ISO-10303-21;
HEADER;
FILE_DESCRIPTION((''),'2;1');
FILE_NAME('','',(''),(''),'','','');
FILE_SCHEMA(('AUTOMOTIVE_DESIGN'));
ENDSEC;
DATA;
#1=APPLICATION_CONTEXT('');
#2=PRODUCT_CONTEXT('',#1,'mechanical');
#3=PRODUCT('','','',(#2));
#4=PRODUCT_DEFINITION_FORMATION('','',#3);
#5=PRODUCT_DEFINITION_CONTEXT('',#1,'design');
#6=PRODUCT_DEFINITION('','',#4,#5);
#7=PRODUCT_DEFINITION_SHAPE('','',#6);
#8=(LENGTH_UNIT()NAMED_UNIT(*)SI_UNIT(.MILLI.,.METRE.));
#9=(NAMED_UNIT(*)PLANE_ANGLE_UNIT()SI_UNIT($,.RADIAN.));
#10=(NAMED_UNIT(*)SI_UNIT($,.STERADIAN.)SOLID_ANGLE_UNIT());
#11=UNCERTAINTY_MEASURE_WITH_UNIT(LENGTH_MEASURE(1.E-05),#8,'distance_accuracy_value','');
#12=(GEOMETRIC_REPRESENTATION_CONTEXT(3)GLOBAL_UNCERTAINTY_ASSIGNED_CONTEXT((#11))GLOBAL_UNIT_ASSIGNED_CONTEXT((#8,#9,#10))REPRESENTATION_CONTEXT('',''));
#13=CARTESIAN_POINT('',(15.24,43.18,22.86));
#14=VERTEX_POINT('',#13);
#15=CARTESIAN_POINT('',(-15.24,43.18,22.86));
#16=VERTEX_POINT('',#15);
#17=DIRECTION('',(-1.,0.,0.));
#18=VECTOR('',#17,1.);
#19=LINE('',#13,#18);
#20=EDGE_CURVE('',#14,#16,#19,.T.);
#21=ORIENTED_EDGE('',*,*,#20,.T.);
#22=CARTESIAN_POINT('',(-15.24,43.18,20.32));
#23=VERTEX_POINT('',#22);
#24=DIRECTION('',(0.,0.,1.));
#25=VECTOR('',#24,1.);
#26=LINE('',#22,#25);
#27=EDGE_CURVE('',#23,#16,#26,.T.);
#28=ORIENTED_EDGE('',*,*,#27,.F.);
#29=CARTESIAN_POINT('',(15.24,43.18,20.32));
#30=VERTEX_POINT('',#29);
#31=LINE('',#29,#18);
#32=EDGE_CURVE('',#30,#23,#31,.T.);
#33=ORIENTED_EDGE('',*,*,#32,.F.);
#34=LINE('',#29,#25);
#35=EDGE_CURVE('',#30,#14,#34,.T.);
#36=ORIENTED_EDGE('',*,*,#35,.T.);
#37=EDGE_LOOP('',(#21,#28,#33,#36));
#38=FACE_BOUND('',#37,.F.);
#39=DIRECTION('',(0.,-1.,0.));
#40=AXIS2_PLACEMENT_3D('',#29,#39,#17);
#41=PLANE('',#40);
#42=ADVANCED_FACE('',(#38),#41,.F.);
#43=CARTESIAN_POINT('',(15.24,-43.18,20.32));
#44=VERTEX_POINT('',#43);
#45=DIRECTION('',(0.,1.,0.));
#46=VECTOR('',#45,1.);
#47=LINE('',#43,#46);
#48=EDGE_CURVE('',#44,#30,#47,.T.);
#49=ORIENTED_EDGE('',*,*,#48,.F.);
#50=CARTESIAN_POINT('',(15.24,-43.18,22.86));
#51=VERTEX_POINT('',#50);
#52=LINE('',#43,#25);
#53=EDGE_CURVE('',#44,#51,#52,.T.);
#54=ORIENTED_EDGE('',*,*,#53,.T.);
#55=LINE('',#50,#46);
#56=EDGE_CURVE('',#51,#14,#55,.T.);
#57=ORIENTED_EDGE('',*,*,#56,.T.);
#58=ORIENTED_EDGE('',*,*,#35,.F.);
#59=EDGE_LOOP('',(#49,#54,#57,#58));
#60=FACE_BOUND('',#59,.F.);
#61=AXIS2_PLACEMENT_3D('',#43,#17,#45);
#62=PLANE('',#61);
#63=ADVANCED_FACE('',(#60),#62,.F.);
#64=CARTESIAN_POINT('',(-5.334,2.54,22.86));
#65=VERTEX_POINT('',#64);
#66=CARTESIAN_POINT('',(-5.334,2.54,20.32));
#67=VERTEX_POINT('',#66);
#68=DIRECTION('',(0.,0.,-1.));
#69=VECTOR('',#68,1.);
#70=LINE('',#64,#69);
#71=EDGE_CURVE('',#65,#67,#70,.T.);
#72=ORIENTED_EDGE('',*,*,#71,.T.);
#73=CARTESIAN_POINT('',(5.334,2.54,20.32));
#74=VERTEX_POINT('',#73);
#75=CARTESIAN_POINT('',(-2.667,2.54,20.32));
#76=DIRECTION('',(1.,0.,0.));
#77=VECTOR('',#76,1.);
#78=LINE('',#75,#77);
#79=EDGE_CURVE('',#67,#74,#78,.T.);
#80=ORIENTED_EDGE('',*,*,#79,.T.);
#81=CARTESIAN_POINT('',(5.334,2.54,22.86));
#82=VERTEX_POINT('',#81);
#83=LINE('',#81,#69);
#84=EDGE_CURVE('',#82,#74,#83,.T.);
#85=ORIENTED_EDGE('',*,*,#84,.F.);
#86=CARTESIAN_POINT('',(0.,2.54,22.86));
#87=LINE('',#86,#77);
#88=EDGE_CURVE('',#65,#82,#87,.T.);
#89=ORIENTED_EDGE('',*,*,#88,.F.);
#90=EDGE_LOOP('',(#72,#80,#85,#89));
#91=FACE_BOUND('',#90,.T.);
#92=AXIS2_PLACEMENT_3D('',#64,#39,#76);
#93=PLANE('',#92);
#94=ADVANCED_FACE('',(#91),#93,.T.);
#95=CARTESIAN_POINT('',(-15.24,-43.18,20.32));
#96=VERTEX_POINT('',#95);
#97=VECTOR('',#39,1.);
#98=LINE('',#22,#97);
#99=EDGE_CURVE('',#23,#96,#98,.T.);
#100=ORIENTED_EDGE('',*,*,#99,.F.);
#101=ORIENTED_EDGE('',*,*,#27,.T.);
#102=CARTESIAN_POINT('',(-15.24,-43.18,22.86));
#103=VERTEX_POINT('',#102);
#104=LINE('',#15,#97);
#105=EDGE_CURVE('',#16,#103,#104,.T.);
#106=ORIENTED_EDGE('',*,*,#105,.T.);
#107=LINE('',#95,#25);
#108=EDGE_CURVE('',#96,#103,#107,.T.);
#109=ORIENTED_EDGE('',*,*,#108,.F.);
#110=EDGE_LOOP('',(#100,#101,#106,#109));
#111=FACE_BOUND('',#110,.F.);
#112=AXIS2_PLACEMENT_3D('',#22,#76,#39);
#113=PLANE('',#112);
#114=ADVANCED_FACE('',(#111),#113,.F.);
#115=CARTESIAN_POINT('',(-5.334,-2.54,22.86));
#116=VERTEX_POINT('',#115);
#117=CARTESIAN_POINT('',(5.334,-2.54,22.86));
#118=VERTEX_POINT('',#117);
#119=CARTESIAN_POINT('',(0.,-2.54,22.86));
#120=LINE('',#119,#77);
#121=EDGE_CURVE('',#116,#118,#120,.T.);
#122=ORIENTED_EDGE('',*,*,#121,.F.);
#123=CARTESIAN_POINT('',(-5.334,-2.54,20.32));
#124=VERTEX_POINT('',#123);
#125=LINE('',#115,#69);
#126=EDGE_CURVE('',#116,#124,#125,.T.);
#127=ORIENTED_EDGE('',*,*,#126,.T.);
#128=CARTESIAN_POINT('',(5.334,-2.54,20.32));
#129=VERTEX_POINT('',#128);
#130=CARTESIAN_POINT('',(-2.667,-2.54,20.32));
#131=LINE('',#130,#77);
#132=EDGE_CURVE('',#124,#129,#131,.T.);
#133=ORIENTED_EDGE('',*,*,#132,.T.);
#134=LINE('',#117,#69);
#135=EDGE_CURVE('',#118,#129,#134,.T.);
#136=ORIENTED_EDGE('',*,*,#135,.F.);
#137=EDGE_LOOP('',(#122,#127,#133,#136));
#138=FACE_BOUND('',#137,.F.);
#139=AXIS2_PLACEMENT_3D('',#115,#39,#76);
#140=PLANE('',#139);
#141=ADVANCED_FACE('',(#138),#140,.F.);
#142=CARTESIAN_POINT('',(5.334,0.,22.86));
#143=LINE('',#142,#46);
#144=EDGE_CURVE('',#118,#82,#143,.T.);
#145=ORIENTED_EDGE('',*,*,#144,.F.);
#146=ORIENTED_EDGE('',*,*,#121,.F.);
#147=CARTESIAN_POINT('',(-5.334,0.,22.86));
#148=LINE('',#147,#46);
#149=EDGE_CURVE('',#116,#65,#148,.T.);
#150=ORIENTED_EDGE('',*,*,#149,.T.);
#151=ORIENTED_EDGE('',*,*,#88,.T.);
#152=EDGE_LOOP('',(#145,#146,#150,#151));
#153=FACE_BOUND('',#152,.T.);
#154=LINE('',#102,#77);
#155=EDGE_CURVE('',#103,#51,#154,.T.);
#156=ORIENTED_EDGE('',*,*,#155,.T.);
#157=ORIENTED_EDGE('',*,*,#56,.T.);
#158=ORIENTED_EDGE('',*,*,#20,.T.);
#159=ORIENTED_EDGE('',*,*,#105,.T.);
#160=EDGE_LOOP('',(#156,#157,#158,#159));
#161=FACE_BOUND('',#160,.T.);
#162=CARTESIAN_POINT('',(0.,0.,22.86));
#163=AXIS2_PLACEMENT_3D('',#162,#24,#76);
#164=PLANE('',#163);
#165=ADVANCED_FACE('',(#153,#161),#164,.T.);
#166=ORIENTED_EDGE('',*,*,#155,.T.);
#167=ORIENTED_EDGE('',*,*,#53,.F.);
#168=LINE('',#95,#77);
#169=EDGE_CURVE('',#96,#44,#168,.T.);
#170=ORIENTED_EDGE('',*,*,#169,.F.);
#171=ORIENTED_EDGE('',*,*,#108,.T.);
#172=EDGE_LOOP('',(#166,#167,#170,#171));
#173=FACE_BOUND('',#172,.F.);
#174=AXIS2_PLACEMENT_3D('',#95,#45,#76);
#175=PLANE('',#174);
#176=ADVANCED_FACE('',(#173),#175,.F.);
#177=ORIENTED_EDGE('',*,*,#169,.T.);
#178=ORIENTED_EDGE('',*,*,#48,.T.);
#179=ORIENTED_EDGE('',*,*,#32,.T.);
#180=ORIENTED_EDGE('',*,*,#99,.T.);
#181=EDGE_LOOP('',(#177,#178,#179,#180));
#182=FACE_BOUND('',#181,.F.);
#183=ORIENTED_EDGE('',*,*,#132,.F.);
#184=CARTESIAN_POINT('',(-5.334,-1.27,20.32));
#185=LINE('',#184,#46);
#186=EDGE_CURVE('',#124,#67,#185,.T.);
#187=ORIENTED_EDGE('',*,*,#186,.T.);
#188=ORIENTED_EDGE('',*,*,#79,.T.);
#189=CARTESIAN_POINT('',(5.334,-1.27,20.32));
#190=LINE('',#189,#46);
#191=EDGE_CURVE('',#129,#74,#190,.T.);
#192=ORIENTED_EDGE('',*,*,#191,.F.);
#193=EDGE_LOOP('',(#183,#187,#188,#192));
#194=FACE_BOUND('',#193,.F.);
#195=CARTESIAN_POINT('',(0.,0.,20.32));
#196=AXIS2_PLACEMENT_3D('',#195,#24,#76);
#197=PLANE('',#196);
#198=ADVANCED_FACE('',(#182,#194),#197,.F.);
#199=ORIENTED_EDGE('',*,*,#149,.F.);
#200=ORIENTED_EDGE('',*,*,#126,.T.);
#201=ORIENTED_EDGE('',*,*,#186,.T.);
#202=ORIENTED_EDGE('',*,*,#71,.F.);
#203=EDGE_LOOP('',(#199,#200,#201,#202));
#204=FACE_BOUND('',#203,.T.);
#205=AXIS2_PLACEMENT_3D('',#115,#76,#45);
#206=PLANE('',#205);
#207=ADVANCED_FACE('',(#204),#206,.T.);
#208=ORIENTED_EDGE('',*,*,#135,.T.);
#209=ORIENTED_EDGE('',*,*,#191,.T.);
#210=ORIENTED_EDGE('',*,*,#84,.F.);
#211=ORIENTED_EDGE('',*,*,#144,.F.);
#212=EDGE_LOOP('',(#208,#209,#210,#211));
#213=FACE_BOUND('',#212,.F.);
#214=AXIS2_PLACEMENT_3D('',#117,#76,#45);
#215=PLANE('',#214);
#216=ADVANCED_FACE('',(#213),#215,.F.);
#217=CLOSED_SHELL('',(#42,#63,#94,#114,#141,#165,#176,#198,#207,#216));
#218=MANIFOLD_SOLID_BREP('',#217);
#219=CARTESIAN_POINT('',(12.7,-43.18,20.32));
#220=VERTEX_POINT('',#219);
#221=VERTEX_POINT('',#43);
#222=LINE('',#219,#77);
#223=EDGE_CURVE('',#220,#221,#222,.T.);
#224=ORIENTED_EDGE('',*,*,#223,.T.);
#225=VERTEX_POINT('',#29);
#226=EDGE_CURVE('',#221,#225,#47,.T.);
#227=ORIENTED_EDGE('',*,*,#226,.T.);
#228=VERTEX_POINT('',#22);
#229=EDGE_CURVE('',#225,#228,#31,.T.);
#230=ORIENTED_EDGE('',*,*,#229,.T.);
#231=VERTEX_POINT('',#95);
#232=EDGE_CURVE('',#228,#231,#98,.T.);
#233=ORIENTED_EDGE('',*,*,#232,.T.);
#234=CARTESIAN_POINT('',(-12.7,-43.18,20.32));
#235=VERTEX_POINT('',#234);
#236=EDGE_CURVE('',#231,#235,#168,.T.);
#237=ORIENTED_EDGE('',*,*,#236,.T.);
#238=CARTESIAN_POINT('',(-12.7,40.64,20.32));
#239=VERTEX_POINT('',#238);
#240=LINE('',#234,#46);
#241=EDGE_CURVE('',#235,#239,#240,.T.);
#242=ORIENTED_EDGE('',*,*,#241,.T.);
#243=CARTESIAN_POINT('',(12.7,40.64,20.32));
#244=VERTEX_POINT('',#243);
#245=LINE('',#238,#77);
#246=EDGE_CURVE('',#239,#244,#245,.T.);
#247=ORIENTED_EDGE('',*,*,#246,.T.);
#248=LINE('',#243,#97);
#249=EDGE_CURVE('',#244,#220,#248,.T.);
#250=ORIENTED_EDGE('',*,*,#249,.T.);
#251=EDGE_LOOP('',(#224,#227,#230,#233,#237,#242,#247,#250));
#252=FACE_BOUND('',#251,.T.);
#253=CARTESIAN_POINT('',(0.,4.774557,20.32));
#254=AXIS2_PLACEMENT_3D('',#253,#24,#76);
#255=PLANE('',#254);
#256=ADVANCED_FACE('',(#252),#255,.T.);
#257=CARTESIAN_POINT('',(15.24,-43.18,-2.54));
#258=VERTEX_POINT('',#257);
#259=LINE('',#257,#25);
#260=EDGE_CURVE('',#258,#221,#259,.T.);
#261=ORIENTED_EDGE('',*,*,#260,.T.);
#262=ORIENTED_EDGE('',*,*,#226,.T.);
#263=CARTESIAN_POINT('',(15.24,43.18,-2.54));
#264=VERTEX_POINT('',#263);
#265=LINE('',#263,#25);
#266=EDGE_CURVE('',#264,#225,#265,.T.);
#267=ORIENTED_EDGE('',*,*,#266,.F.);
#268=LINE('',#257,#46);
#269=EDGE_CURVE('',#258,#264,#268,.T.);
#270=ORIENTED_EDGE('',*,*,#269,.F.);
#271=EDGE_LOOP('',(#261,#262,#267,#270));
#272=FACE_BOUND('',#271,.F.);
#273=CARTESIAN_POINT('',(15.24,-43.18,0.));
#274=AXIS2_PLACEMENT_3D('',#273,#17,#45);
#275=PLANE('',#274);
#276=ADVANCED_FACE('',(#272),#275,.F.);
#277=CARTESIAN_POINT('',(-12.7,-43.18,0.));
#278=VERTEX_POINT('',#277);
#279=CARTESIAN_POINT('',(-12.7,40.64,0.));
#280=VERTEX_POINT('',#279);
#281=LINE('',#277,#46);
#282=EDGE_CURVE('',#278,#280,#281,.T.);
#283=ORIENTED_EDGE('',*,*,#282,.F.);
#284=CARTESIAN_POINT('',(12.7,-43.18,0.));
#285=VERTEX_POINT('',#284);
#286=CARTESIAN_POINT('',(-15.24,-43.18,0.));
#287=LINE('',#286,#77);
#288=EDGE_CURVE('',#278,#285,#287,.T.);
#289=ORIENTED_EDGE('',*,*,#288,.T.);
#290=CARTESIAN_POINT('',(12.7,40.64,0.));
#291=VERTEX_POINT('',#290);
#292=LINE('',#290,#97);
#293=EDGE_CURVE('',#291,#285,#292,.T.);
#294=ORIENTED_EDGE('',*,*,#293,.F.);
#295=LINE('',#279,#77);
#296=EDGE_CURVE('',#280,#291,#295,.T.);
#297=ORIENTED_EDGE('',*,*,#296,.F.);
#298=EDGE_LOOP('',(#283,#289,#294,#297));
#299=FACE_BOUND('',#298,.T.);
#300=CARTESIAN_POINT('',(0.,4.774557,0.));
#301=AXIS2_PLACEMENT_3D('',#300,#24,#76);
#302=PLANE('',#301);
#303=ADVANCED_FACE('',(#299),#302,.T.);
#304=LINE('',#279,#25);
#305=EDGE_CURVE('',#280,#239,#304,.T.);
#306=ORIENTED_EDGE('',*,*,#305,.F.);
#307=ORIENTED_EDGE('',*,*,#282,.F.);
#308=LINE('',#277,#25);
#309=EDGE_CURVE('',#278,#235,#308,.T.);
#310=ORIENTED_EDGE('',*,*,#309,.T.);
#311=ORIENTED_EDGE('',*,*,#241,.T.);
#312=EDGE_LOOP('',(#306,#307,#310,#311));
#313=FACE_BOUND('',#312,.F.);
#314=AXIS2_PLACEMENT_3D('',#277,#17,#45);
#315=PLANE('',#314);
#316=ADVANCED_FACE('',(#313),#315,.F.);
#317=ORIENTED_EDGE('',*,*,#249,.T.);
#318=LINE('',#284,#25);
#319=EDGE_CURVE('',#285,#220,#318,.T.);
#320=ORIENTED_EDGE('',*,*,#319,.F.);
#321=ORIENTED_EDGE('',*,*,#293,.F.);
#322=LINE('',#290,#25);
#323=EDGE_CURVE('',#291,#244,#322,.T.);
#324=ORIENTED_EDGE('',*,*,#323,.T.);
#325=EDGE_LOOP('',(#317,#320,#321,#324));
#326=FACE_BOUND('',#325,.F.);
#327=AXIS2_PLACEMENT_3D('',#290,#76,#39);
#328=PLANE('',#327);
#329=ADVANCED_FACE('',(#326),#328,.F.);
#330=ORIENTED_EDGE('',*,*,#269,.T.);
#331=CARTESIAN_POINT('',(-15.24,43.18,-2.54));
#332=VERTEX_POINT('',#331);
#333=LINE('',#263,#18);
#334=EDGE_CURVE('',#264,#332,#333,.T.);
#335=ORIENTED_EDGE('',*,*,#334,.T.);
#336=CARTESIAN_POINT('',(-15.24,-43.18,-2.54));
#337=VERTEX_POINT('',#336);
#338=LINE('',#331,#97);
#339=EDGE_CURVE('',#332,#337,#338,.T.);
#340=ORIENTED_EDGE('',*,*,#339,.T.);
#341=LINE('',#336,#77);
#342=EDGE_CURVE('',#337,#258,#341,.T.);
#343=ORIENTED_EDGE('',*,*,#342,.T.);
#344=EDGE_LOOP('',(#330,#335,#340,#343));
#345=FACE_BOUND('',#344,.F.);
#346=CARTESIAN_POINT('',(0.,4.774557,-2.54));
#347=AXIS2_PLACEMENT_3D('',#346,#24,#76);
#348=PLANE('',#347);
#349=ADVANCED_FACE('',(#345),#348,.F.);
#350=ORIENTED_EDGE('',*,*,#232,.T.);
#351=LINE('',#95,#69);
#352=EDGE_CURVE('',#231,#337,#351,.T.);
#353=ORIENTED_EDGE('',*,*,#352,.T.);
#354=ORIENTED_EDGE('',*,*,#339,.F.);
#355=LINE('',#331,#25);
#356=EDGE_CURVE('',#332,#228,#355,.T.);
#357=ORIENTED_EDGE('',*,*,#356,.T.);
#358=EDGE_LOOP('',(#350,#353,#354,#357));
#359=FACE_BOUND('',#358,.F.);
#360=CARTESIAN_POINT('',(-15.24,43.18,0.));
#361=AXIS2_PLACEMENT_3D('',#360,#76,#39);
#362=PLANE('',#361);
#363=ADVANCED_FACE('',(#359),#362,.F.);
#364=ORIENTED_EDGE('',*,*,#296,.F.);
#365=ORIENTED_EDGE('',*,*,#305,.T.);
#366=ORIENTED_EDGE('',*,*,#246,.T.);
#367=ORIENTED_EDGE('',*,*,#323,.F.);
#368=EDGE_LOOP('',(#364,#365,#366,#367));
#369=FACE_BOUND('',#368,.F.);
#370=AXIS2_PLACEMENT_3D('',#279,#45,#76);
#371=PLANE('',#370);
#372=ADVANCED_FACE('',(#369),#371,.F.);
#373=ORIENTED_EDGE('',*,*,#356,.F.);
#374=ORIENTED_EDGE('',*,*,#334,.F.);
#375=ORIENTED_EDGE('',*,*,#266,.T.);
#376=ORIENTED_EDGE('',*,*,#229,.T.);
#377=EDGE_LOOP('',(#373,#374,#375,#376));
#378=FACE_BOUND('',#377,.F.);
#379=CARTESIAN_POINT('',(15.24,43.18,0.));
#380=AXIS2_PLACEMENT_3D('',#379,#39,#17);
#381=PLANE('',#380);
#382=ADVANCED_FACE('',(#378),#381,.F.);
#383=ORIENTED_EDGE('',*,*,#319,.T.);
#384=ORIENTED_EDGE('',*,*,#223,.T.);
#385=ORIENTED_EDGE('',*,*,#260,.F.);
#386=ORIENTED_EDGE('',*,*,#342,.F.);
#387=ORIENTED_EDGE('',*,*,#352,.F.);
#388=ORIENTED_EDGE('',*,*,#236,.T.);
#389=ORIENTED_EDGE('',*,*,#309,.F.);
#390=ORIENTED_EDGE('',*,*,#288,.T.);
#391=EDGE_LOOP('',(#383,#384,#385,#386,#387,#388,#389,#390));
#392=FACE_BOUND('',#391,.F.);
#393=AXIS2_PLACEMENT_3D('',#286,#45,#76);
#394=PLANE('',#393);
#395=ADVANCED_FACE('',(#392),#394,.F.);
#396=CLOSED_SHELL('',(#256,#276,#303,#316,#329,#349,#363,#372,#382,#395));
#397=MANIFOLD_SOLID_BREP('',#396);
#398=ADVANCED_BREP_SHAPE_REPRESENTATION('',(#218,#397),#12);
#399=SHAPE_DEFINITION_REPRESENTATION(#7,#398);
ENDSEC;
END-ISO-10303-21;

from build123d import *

# Parameters (mm, degrees)
F0_W     = 25.4
F0_H     = 2.54
F0_H_2   = 81.28
F1_DEPTH = 2.54
F2_DEPTH = 20.32
F3_START = 20.32
F3_DEPTH = 2.54
F4_W     = 10.668
F4_H     = 5.08
F5_DEPTH = 5.08


with BuildPart() as f1:
    # F0 (on Top) → F1 (new body)
    with BuildSketch(Plane.XY):
        Polygon((-12.7, 40.64), (12.7, 40.64), (12.7, -40.64), (12.7, -43.18), (15.24, -43.18), (15.24, 43.18), (-15.24, 43.18), (-15.24, -43.18), (-12.7, -43.18), (-12.7, -40.64), align=None)
        with Locations((0, -41.91)):
            Rectangle(F0_W, F0_H)
        Rectangle(F0_W, F0_H_2)
    extrude(amount=-F1_DEPTH)

    # F0 (on Top) → F2 (join)
    with BuildSketch(Plane.XY):
        Polygon((-12.7, 40.64), (12.7, 40.64), (12.7, -40.64), (12.7, -43.18), (15.24, -43.18), (15.24, 43.18), (-15.24, 43.18), (-15.24, -43.18), (-12.7, -43.18), (-12.7, -40.64), align=None)
    extrude(amount=F2_DEPTH)


with BuildPart() as f3:
    # F0 (on Top) → F3 (new body)
    with BuildSketch(Plane.XY.offset(F3_START)):
        Rectangle(F0_W, F0_H_2)
        Polygon((-12.7, 40.64), (12.7, 40.64), (12.7, -40.64), (12.7, -43.18), (15.24, -43.18), (15.24, 43.18), (-15.24, 43.18), (-15.24, -43.18), (-12.7, -43.18), (-12.7, -40.64), align=None)
        with Locations((0, -41.91)):
            Rectangle(F0_W, F0_H)
    extrude(amount=F3_DEPTH)

    # F4 (on face) → F5 (cut)
    with BuildSketch(Plane.XY.offset(22.86)):
        Rectangle(F4_W, F4_H)
    extrude(amount=-F5_DEPTH, mode=Mode.SUBTRACT)


solid = Compound([f1.part, f3.part])
